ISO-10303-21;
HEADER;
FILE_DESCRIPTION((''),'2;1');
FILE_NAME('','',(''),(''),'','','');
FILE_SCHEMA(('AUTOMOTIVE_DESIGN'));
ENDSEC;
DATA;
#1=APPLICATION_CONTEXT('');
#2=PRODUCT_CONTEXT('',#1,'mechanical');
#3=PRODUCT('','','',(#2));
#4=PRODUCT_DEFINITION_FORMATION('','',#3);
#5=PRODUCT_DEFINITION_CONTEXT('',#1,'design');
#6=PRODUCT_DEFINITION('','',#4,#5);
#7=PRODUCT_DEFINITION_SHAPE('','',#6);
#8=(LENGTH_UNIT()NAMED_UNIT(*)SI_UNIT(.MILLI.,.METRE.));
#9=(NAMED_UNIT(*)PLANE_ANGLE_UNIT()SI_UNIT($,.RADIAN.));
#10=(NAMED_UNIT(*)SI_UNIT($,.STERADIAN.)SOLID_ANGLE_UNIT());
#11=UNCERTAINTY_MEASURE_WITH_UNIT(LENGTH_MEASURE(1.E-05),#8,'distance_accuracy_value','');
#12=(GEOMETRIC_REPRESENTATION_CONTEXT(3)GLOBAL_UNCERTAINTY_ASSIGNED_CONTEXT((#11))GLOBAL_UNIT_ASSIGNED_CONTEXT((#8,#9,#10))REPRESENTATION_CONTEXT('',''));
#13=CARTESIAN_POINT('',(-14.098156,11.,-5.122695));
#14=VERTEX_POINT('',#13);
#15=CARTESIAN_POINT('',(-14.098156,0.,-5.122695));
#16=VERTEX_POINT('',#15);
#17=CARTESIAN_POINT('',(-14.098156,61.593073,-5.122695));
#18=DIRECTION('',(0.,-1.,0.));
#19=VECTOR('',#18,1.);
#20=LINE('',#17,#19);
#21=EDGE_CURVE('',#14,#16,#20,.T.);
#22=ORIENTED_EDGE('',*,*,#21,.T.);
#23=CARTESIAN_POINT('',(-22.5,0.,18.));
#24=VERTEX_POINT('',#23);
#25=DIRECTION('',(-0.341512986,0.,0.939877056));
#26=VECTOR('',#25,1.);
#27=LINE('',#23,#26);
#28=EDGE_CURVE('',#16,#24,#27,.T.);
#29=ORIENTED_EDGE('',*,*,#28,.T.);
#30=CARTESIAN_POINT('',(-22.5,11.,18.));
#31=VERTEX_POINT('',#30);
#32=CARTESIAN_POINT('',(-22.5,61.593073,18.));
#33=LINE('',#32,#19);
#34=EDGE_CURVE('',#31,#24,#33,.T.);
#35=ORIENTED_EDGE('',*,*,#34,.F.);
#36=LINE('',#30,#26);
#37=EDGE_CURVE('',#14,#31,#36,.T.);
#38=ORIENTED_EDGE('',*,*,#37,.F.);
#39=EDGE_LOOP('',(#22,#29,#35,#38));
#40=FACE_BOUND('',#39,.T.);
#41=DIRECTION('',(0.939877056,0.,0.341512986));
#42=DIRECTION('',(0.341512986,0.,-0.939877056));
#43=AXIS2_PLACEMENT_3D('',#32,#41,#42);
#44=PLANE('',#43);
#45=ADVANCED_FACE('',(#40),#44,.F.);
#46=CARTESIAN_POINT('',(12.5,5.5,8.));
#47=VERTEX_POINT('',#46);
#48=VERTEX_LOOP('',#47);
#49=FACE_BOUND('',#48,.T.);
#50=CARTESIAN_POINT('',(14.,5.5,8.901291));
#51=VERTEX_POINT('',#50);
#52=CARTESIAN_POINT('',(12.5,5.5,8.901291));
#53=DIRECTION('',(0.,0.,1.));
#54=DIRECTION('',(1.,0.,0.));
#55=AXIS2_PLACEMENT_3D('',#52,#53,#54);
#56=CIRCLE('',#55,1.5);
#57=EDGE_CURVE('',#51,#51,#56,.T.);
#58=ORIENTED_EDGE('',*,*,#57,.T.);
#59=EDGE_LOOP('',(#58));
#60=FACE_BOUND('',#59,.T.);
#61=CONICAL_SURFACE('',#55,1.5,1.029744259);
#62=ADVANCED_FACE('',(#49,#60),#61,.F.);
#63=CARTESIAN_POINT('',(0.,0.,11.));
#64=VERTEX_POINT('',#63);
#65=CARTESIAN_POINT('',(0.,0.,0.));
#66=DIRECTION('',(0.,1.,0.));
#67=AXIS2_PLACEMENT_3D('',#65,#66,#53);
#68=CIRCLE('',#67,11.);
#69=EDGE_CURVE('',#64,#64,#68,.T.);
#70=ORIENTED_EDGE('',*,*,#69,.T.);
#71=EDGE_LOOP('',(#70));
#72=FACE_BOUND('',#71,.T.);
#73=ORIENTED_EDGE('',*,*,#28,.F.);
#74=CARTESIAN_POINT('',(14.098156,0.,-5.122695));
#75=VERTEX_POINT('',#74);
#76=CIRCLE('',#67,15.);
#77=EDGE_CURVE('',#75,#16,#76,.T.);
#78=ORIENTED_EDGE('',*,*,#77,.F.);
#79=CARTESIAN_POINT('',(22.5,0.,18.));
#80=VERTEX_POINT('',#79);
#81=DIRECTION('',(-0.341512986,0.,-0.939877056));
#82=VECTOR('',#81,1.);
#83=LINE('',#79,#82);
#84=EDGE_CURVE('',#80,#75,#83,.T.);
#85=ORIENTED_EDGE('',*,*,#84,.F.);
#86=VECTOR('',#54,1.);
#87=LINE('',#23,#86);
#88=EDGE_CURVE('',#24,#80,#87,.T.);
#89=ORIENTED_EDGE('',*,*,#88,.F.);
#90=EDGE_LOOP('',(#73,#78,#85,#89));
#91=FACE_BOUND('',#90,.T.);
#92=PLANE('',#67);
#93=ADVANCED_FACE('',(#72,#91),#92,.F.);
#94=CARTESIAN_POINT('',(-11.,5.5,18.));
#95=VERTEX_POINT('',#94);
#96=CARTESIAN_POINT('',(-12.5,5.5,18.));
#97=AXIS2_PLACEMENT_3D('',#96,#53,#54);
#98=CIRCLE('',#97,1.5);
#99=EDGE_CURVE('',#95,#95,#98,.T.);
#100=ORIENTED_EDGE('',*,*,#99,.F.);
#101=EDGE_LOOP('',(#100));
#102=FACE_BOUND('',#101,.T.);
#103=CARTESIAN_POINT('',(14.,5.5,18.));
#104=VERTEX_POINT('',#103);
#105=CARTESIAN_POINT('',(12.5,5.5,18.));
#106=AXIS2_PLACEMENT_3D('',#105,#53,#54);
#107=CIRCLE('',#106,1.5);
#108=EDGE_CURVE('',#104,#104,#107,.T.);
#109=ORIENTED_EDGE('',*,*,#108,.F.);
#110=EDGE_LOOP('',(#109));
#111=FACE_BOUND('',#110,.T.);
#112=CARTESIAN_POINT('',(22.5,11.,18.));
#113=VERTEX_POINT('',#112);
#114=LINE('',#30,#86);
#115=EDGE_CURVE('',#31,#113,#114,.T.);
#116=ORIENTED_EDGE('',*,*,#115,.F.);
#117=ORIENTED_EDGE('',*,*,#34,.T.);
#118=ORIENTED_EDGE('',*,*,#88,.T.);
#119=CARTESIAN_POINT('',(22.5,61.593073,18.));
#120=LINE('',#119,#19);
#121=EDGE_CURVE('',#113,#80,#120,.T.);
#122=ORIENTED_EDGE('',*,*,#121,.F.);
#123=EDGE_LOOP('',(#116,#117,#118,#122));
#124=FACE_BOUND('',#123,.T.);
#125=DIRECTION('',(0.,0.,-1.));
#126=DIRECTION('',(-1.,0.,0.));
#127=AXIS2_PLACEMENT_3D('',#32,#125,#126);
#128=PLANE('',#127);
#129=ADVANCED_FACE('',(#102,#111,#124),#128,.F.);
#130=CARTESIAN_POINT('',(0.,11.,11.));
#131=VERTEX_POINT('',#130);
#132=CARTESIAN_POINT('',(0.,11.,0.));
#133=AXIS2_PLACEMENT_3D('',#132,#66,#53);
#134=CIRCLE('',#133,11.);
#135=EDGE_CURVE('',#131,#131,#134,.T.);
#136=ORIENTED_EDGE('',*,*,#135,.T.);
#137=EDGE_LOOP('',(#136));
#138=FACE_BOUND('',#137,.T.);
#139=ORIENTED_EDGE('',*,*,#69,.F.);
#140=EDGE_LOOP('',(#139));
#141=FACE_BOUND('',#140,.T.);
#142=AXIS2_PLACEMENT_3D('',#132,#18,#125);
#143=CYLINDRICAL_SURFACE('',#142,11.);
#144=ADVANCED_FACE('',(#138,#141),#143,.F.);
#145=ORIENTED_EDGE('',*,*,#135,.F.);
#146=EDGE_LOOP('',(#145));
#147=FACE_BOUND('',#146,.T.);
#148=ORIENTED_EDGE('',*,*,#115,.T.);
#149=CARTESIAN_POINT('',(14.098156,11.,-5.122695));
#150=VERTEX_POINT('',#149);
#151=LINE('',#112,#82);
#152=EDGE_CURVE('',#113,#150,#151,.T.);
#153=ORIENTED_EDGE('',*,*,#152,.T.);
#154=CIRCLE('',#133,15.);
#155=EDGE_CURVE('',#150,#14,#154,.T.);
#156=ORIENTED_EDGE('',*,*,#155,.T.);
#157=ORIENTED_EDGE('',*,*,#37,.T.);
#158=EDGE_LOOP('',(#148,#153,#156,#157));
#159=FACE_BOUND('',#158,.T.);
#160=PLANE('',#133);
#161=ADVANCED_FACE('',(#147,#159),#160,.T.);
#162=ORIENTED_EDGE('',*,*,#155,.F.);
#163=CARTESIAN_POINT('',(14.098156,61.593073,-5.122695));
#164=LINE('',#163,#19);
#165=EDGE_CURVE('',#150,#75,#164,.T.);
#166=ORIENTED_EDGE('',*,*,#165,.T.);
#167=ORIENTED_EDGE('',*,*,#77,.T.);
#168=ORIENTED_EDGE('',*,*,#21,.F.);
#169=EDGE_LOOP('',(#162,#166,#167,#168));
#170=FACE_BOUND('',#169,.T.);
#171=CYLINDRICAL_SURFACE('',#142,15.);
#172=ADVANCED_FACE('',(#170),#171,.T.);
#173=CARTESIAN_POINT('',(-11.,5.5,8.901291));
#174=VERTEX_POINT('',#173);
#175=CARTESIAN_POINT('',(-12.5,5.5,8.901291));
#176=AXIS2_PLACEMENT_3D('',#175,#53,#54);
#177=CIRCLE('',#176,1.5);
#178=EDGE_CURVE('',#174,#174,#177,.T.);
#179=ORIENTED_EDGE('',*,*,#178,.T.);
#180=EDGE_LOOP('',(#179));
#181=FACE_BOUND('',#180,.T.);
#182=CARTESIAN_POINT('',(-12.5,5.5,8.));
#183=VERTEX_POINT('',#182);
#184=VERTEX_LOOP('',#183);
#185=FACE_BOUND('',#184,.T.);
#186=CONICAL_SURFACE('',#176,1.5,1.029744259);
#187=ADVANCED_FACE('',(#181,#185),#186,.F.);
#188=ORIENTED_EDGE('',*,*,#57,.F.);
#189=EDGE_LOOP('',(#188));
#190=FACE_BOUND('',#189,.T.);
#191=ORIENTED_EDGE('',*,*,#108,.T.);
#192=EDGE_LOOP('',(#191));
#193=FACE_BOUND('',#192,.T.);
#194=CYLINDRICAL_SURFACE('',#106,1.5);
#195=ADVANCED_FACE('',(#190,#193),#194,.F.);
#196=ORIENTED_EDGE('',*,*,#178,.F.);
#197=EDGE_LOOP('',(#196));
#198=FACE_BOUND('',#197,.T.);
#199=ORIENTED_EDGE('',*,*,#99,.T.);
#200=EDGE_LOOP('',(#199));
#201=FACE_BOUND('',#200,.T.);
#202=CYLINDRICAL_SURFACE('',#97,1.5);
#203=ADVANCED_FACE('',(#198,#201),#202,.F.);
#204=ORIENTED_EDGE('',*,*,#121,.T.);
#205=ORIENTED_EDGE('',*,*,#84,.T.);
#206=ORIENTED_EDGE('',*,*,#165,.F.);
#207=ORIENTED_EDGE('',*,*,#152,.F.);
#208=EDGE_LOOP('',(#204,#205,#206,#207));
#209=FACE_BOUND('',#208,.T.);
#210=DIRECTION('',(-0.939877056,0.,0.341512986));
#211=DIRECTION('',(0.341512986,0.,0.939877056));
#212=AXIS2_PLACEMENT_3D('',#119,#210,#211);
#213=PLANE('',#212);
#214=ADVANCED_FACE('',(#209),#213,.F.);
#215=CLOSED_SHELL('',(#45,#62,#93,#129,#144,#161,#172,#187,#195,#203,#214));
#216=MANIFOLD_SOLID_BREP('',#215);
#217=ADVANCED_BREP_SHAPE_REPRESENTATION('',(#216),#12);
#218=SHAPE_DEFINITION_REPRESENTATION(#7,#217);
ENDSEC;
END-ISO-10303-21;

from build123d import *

# Parameters (mm, degrees)
SKETCH1_R                    = 15
SKETCH1_R_2                  = 11
BOSS_EXTRUDE1_DEPTH          = 11
BOSS_EXTRUDE2_DEPTH          = 11
F_3_0_3_DIAMETER_HOLE1_D     = 3
F_3_0_3_DIAMETER_HOLE1_DEPTH = 9.098709071
F_3_0_3_DIAMETER_HOLE1_TIP   = 0.901290929


with BuildPart() as part:
    # Sketch1 → Boss-Extrude1 (new body)
    with BuildSketch(Plane(origin=(0, 0, 0), x_dir=(1, 0, 0), z_dir=(0, 1, 0))):
        with Locations(Location((0, 0, 0), (0, 0, 270))):
            Circle(SKETCH1_R)
        with Locations(Location((0, 0, 0), (0, 0, 270))):
            Circle(SKETCH1_R_2, mode=Mode.SUBTRACT)
    extrude(amount=BOSS_EXTRUDE1_DEPTH)

    # Sketch2 → Boss-Extrude2 (add)
    with BuildSketch(Plane(origin=(0, 0, 0), x_dir=(1, 0, 0), z_dir=(0, 1, 0))):
        with BuildLine():
            Line((-22.5, -18), (-14.098155837, 5.122694797))
            ThreePointArc((-14.098155837, 5.122694797), (0, -15), (14.098155837, 5.122694797))
            Line((14.098155837, 5.122694797), (22.5, -18))
            Line((22.5, -18), (-22.5, -18))
        make_face()
    extrude(amount=BOSS_EXTRUDE2_DEPTH)

    # Ø3.0 (3) Diameter Hole1
    with Locations(Plane.XY.offset(18)):
        with Locations((-12.5, 5.5), (12.5, 5.5)):
            Hole(F_3_0_3_DIAMETER_HOLE1_D / 2, depth=F_3_0_3_DIAMETER_HOLE1_DEPTH)
            with Locations((0, 0, -(F_3_0_3_DIAMETER_HOLE1_DEPTH + F_3_0_3_DIAMETER_HOLE1_TIP / 2))):  # 118° drill point
                Cone(0, F_3_0_3_DIAMETER_HOLE1_D / 2, F_3_0_3_DIAMETER_HOLE1_TIP, mode=Mode.SUBTRACT)


solid = part.part
